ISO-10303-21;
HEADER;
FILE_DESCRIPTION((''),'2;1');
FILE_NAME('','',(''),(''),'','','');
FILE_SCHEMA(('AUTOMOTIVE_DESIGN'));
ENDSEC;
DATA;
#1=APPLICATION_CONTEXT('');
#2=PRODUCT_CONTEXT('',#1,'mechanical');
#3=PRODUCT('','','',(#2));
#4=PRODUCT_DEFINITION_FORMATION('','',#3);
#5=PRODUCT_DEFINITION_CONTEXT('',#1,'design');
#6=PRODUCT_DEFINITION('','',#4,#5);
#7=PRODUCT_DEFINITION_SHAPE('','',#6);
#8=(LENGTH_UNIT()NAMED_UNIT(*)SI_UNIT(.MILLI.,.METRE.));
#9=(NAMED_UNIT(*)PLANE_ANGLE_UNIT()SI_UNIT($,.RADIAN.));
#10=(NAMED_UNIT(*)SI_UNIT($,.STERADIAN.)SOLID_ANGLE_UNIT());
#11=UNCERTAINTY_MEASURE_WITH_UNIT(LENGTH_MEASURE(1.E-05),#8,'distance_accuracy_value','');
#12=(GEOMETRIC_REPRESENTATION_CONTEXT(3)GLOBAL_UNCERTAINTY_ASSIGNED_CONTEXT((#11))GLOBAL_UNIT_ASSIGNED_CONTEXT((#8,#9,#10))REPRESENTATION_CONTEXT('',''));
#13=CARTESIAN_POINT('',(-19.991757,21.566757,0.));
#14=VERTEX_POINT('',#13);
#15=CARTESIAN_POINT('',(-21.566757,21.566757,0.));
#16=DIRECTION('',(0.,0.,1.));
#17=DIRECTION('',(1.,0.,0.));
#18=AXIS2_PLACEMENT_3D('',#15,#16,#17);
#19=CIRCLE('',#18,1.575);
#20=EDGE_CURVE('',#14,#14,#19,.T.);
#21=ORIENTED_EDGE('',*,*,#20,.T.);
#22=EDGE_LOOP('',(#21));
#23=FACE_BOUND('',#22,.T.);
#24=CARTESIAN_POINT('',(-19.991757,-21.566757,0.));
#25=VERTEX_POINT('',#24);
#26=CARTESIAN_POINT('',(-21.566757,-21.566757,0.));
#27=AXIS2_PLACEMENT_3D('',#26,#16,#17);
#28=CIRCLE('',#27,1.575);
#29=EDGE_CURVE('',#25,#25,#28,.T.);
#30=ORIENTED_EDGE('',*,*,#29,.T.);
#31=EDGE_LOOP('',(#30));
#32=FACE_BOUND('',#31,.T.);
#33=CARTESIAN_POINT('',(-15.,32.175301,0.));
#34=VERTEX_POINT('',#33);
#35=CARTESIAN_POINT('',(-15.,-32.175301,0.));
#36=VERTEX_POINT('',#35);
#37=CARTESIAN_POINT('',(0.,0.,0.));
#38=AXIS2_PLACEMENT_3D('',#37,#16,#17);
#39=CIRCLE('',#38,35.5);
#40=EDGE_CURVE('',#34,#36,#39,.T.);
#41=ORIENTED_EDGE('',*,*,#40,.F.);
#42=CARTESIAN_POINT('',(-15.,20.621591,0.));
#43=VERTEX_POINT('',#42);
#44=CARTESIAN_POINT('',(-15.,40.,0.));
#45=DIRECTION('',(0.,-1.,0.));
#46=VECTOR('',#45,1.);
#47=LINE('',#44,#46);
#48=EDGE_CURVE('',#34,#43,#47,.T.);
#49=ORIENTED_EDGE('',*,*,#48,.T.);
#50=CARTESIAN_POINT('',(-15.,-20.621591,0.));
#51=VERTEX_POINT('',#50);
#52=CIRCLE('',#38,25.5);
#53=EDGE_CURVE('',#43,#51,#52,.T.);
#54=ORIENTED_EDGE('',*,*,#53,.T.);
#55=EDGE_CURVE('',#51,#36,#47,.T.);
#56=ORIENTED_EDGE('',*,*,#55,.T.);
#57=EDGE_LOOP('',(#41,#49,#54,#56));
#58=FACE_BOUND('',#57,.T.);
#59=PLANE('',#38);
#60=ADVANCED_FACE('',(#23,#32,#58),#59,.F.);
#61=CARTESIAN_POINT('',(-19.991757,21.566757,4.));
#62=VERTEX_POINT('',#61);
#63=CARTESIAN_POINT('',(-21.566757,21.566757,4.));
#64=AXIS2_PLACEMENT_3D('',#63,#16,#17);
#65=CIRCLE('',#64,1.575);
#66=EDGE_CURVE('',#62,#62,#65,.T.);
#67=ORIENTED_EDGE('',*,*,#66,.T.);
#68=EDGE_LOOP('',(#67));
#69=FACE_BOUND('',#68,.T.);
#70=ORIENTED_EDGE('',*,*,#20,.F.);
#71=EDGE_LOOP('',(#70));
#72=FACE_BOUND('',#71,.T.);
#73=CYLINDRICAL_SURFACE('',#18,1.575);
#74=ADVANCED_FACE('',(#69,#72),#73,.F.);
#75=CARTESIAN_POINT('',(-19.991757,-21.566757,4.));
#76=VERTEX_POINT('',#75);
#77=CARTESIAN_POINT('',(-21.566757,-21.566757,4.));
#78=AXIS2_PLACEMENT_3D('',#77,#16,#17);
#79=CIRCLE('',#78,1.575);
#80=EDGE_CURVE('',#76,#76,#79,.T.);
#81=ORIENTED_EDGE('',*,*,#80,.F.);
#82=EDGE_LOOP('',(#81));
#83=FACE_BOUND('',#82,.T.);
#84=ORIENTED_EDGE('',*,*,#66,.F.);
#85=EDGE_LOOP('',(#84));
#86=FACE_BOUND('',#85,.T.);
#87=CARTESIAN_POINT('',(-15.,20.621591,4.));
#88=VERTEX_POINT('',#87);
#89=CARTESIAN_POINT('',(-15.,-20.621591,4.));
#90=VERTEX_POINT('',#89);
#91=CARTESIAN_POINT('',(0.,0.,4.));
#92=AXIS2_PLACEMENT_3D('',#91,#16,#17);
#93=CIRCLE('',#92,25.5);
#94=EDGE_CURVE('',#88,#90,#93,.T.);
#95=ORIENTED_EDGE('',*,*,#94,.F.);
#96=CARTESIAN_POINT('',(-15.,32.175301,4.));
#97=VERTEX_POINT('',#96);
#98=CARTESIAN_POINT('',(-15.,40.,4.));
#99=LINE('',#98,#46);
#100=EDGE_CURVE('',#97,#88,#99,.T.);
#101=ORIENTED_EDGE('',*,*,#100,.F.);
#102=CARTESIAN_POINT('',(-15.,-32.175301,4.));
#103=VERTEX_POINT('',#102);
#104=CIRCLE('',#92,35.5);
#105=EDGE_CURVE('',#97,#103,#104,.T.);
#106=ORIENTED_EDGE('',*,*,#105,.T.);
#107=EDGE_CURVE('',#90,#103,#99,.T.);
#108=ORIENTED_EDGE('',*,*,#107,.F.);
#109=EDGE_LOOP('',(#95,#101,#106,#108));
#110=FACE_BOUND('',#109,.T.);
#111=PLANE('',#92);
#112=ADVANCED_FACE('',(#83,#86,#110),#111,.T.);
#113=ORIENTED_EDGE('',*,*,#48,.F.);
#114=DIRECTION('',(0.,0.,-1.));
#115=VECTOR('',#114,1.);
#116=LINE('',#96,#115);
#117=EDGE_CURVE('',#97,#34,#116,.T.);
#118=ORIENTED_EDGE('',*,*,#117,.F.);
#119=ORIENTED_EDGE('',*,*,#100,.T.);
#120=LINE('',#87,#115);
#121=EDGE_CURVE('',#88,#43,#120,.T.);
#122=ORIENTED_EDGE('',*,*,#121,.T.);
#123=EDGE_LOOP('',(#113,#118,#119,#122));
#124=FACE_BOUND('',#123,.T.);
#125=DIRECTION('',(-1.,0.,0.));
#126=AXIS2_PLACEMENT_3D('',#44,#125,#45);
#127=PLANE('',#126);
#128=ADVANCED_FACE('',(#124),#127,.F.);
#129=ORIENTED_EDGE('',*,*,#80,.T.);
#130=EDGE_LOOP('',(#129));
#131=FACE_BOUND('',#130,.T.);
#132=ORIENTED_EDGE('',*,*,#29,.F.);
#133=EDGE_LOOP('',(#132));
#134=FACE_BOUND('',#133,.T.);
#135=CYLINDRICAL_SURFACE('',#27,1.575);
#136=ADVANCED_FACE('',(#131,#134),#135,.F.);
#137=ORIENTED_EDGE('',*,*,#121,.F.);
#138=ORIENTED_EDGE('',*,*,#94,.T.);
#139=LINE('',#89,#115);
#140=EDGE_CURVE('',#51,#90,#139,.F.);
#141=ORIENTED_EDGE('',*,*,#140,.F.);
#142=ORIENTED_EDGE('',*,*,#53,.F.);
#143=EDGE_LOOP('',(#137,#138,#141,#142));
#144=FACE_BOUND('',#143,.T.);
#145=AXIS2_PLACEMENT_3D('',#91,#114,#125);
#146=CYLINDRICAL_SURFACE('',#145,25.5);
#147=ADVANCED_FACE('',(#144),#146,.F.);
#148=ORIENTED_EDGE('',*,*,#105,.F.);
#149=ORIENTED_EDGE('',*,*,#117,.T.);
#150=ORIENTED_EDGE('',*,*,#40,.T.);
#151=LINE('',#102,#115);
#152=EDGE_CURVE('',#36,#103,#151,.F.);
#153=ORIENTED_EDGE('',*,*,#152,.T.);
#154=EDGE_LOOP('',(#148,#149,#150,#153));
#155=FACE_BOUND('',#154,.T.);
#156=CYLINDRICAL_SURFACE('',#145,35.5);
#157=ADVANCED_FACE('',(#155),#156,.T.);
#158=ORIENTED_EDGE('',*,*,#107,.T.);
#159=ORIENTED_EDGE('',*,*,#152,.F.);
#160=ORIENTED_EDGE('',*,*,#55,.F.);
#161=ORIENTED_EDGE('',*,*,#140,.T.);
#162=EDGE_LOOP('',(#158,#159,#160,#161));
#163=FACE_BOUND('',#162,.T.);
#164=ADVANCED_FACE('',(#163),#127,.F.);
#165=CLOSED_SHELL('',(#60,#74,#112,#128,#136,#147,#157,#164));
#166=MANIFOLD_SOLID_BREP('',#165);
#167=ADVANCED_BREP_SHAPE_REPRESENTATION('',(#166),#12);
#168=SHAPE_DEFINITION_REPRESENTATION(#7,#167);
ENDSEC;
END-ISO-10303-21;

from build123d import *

# Parameters (mm, degrees)
SKETCH_1_R          = 35.5
SKETCH_1_R_2        = 25.5
EXTRUDE_1_DEPTH     = 4
SKETCH_2_R          = 1.575
CUT_EXTRUDE_1_DEPTH = 51.363677388
SKETCH_3_W          = 60
SKETCH_3_H          = 80
CUT_EXTRUDE_2_DEPTH = 51.363677388


with BuildPart() as part:
    # 草图1 → 凸台-拉伸1 (new body)
    with BuildSketch(Plane.XY):
        Circle(SKETCH_1_R)
        Circle(SKETCH_1_R_2, mode=Mode.SUBTRACT)
    extrude(amount=EXTRUDE_1_DEPTH)

    # 草图2 → 切除-拉伸1 (cut, through all)
    with BuildSketch(Plane.XY.offset(4)):
        with Locations((-21.566756826, 21.566756826)):
            Circle(SKETCH_2_R)
        with Locations((21.566756826, 21.566756826)):
            Circle(SKETCH_2_R)
        with Locations((21.566756826, -21.566756826)):
            Circle(SKETCH_2_R)
        with Locations((-21.566756826, -21.566756826)):
            Circle(SKETCH_2_R)
    extrude(amount=-CUT_EXTRUDE_1_DEPTH, mode=Mode.SUBTRACT)

    # 草图3 → 切除-拉伸2 (cut, through all)
    with BuildSketch(Plane.XY.offset(4)):
        with Locations((15, 0)):
            Rectangle(SKETCH_3_W, SKETCH_3_H)
    extrude(amount=-CUT_EXTRUDE_2_DEPTH, mode=Mode.SUBTRACT)


solid = part.part
